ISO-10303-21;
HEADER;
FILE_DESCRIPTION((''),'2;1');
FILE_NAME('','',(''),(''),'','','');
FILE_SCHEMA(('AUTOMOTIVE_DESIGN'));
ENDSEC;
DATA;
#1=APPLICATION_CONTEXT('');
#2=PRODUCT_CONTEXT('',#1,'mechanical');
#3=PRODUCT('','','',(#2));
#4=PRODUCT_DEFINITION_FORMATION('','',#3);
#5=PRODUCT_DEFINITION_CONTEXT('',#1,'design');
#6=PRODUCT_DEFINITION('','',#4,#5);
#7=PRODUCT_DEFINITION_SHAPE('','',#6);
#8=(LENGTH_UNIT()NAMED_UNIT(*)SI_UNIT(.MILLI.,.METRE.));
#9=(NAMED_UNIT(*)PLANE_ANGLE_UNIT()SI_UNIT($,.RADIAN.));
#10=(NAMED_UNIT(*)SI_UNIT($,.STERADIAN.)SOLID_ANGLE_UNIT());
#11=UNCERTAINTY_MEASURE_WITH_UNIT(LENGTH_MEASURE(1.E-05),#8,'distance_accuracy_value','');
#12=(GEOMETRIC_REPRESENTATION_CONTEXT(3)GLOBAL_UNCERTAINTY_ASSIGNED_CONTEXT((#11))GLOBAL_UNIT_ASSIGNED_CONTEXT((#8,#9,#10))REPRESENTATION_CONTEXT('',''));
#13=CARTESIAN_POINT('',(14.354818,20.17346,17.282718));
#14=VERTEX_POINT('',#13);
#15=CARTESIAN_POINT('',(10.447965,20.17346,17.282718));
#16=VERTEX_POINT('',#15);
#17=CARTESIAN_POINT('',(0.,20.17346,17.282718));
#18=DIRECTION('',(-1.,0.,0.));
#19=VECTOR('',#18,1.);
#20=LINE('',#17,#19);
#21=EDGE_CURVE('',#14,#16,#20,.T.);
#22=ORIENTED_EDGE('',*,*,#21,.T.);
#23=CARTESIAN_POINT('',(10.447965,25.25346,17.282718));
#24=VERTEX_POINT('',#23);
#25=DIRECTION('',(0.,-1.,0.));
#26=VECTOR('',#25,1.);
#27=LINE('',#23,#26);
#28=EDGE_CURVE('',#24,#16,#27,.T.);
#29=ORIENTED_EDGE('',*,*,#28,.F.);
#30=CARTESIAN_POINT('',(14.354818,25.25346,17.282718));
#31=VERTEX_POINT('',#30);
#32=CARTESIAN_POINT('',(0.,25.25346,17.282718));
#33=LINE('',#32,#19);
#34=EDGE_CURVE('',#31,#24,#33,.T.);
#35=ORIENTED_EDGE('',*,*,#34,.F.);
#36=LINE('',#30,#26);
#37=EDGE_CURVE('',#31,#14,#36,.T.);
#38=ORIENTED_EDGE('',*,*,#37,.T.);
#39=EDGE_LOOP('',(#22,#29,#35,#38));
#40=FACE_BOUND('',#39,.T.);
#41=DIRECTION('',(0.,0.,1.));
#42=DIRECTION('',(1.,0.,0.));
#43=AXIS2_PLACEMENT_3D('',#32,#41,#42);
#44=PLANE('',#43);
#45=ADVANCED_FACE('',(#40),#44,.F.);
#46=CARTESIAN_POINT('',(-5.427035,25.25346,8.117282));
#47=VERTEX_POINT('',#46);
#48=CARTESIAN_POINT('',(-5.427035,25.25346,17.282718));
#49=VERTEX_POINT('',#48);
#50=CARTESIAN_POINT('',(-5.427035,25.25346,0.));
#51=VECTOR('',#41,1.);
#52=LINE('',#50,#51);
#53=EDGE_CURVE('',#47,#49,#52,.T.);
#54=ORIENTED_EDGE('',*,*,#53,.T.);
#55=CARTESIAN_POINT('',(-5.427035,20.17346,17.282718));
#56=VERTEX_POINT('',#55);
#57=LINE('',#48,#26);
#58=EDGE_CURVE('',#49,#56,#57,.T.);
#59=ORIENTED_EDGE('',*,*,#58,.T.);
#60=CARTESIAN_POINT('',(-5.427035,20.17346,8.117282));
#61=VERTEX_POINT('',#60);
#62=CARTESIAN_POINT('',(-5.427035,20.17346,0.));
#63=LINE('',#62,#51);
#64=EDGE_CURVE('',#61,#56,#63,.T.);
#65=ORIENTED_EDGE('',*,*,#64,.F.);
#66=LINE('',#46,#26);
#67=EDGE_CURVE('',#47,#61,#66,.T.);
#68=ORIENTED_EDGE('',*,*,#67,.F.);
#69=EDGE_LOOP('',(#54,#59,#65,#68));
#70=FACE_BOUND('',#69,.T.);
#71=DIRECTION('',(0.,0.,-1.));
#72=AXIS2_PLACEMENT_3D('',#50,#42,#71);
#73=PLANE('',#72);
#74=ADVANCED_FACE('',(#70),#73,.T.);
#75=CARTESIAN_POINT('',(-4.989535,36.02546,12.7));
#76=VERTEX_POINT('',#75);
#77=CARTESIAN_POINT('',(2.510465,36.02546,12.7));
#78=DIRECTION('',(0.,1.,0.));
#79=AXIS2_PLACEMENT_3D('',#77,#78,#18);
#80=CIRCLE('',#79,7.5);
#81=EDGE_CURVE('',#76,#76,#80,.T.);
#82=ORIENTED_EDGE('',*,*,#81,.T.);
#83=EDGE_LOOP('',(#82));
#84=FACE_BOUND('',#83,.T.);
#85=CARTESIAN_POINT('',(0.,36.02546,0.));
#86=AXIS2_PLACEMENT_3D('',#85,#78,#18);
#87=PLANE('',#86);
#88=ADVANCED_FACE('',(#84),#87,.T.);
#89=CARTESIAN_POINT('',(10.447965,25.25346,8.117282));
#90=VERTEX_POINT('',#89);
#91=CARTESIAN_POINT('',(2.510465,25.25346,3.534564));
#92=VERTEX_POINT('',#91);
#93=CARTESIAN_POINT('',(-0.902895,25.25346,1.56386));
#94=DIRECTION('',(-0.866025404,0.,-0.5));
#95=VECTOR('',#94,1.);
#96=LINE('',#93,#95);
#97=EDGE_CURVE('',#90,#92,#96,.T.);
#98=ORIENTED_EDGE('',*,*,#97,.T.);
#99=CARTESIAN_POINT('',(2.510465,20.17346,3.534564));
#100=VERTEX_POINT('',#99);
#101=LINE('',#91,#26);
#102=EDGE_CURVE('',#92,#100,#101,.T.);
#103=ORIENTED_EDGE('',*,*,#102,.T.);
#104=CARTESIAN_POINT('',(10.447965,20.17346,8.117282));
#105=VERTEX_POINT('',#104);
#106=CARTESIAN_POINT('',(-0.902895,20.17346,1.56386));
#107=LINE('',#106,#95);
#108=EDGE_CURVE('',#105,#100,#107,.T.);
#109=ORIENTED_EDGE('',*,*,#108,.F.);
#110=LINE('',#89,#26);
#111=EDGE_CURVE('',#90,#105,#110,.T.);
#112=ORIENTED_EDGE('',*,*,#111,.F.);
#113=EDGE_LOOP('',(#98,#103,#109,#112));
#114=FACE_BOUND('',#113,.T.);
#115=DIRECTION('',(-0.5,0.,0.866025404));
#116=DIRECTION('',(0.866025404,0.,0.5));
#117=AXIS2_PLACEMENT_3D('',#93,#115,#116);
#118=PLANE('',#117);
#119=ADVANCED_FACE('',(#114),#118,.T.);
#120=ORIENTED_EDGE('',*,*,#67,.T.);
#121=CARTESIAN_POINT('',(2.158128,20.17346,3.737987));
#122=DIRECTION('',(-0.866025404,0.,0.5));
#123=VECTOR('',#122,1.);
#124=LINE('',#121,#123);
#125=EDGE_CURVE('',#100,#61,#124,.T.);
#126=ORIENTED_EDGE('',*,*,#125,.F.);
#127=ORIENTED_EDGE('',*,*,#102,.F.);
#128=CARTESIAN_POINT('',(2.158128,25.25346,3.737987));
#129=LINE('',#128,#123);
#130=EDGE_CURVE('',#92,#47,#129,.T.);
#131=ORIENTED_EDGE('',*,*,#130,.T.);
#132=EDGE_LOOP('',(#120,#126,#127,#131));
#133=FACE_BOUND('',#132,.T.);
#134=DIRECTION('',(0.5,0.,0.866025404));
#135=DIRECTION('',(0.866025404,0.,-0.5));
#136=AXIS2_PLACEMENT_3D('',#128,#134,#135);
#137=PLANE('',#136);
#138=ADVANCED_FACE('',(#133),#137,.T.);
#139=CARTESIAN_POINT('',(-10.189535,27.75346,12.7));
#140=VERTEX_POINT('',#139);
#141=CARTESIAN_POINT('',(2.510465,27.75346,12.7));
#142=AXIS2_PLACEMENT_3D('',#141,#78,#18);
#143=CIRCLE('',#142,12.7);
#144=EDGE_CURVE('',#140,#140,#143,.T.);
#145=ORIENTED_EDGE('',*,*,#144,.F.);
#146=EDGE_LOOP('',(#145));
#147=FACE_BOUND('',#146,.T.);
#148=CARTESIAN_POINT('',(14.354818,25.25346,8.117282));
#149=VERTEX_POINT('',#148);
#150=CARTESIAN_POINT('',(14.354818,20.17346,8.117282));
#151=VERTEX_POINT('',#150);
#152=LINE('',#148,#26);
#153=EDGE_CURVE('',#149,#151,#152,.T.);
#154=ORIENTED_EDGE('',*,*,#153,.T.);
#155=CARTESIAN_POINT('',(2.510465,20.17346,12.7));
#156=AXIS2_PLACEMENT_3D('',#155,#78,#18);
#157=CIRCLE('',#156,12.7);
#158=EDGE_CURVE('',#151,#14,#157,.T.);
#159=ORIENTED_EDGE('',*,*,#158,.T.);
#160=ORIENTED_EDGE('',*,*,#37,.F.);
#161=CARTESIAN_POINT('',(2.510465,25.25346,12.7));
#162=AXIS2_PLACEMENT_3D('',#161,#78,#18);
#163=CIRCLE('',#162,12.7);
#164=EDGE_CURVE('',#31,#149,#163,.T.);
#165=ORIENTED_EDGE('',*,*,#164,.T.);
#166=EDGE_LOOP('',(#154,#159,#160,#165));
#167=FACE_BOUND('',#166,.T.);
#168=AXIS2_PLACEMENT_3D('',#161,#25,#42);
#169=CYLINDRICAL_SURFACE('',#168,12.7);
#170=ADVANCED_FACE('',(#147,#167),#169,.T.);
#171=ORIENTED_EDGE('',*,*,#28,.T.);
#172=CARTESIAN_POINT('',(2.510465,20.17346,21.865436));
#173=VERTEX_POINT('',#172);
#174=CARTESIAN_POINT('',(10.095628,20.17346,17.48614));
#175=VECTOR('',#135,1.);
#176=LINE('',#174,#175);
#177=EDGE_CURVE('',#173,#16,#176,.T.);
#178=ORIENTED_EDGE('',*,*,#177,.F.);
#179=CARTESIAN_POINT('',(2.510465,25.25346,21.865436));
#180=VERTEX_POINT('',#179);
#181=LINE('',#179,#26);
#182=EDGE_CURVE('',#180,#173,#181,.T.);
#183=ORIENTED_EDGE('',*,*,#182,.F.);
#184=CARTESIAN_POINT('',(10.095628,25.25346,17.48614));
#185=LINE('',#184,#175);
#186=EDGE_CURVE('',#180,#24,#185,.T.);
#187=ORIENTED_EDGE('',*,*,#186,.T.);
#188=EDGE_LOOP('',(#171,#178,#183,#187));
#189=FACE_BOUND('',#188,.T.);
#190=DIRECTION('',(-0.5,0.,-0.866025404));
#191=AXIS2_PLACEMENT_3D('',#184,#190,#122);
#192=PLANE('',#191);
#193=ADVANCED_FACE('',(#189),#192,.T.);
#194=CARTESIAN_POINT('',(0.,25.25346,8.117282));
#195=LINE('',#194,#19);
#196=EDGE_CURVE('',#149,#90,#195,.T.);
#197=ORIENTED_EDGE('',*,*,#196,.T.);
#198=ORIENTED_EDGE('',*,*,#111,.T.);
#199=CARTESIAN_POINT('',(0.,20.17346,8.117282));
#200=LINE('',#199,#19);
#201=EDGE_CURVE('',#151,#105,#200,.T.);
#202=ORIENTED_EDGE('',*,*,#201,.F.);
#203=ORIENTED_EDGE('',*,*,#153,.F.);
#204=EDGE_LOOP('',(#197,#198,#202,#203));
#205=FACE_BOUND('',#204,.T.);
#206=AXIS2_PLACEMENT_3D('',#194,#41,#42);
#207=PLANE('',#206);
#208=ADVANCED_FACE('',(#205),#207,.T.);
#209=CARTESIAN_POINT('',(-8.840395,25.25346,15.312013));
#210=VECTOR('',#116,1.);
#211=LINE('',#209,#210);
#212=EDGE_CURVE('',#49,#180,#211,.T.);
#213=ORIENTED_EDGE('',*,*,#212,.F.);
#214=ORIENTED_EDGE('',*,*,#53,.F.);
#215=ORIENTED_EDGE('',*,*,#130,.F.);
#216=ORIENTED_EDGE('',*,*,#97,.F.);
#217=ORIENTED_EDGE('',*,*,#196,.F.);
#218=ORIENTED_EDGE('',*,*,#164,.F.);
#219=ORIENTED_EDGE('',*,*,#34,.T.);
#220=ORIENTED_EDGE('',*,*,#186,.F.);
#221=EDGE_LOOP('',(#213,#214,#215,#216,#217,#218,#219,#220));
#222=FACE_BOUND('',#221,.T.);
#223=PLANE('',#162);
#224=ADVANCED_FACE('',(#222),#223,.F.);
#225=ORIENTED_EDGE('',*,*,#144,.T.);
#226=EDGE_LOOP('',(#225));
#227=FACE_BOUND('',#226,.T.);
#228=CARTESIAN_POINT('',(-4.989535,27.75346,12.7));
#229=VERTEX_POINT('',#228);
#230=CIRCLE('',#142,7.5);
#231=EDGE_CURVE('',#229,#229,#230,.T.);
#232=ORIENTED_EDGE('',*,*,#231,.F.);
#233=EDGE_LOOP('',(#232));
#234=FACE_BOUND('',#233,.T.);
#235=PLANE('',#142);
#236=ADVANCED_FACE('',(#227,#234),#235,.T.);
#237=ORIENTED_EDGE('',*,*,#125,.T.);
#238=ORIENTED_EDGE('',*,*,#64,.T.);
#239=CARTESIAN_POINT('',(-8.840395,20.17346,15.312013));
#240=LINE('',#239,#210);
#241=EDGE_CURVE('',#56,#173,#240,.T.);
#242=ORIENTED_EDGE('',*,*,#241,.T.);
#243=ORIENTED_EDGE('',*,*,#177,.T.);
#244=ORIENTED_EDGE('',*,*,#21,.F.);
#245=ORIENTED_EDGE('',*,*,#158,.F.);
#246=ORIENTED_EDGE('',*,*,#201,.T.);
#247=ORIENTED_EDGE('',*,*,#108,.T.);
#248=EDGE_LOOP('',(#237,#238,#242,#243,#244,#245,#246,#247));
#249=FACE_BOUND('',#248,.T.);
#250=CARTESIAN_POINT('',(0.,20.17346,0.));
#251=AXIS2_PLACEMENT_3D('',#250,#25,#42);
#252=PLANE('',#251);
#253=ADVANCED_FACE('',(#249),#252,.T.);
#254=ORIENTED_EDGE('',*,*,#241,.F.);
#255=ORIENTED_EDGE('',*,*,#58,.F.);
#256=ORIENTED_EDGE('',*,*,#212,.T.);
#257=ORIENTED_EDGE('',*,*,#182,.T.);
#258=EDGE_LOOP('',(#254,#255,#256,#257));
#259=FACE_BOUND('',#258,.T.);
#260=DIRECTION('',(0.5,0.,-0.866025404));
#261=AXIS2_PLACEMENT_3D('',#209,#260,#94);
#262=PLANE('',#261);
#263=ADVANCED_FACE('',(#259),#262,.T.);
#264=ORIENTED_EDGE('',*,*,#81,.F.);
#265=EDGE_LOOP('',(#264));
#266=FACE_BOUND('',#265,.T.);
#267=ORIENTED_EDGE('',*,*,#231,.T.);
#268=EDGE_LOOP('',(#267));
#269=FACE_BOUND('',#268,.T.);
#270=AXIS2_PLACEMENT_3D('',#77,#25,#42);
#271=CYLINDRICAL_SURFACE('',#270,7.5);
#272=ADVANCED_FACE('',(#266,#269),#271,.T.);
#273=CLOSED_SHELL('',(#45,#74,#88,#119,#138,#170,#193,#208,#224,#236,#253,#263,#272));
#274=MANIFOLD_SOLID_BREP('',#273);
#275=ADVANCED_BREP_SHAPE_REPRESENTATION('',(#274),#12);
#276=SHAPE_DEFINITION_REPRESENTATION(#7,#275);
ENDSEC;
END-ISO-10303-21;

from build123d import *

# Parameters (mm, degrees)
BOSS_EXTRUDE1_DEPTH = 25.4
BOSS_EXTRUDE3_DEPTH = 5.08
SKETCH4_W           = 37.4
SKETCH4_H           = 25.4
CUT_EXTRUDE1_DEPTH  = 25.4
SKETCH5_R           = 12.7
BOSS_EXTRUDE4_DEPTH = 2.5
SKETCH6_R           = 7.5
BOSS_EXTRUDE5_DEPTH = 8.272


with BuildPart() as part:
    # Sketch1 → Boss-Extrude1 (new body)
    with BuildSketch(Plane.XY):
        Polygon((-10.189534884, 0), (-10.189534884, 9), (15.210465116, 9), (15.210465116, 0), (21.210465116, 0), (21.210465116, 20.17346), (-16.189534884, 20.17346), (-16.189534884, 0), align=None)
    extrude(amount=BOSS_EXTRUDE1_DEPTH)

    # Sketch3 → Boss-Extrude3 (add)
    with BuildSketch(Plane(origin=(0, 20.17346, 0), x_dir=(1, 0, 0), z_dir=(0, 1, 0))):
        with BuildLine():
            Line((14.354818113, -17.282717762), (10.447965116, -17.282717762))
            Line((10.447965116, -17.282717762), (2.510465116, -21.865435523))
            Line((2.510465116, -21.865435523), (-5.427034884, -17.282717762))
            Line((-5.427034884, -17.282717762), (-5.427034884, -8.117282238))
            Line((-5.427034884, -8.117282238), (2.510465116, -3.534564477))
            Line((2.510465116, -3.534564477), (10.447965116, -8.117282238))
            Line((10.447965116, -8.117282238), (14.354818113, -8.117282238))
            ThreePointArc((14.354818113, -8.117282238), (-10.189534884, -12.7), (14.354818113, -17.282717762))
        make_face()
    extrude(amount=BOSS_EXTRUDE3_DEPTH)

    # Sketch4 → Cut-Extrude1 (cut)
    with BuildSketch(Plane(origin=(0, 20.17346, 0), x_dir=(1, 0, 0), z_dir=(0, 1, 0))):
        with Locations((2.510465116, -12.7)):
            Rectangle(SKETCH4_W, SKETCH4_H)
    extrude(amount=-CUT_EXTRUDE1_DEPTH, mode=Mode.SUBTRACT)

    # Sketch5 → Boss-Extrude4 (add)
    with BuildSketch(Plane(origin=(0, 25.25346, 0), x_dir=(1, 0, 0), z_dir=(0, 1, 0))):
        with Locations((2.510465116, -12.7)):
            Circle(SKETCH5_R)
    extrude(amount=BOSS_EXTRUDE4_DEPTH)

    # Sketch6 → Boss-Extrude5 (add)
    with BuildSketch(Plane(origin=(0, 27.75346, 0), x_dir=(1, 0, 0), z_dir=(0, 1, 0))):
        with Locations((2.510465116, -12.7)):
            Circle(SKETCH6_R)
    extrude(amount=BOSS_EXTRUDE5_DEPTH)


solid = part.part
